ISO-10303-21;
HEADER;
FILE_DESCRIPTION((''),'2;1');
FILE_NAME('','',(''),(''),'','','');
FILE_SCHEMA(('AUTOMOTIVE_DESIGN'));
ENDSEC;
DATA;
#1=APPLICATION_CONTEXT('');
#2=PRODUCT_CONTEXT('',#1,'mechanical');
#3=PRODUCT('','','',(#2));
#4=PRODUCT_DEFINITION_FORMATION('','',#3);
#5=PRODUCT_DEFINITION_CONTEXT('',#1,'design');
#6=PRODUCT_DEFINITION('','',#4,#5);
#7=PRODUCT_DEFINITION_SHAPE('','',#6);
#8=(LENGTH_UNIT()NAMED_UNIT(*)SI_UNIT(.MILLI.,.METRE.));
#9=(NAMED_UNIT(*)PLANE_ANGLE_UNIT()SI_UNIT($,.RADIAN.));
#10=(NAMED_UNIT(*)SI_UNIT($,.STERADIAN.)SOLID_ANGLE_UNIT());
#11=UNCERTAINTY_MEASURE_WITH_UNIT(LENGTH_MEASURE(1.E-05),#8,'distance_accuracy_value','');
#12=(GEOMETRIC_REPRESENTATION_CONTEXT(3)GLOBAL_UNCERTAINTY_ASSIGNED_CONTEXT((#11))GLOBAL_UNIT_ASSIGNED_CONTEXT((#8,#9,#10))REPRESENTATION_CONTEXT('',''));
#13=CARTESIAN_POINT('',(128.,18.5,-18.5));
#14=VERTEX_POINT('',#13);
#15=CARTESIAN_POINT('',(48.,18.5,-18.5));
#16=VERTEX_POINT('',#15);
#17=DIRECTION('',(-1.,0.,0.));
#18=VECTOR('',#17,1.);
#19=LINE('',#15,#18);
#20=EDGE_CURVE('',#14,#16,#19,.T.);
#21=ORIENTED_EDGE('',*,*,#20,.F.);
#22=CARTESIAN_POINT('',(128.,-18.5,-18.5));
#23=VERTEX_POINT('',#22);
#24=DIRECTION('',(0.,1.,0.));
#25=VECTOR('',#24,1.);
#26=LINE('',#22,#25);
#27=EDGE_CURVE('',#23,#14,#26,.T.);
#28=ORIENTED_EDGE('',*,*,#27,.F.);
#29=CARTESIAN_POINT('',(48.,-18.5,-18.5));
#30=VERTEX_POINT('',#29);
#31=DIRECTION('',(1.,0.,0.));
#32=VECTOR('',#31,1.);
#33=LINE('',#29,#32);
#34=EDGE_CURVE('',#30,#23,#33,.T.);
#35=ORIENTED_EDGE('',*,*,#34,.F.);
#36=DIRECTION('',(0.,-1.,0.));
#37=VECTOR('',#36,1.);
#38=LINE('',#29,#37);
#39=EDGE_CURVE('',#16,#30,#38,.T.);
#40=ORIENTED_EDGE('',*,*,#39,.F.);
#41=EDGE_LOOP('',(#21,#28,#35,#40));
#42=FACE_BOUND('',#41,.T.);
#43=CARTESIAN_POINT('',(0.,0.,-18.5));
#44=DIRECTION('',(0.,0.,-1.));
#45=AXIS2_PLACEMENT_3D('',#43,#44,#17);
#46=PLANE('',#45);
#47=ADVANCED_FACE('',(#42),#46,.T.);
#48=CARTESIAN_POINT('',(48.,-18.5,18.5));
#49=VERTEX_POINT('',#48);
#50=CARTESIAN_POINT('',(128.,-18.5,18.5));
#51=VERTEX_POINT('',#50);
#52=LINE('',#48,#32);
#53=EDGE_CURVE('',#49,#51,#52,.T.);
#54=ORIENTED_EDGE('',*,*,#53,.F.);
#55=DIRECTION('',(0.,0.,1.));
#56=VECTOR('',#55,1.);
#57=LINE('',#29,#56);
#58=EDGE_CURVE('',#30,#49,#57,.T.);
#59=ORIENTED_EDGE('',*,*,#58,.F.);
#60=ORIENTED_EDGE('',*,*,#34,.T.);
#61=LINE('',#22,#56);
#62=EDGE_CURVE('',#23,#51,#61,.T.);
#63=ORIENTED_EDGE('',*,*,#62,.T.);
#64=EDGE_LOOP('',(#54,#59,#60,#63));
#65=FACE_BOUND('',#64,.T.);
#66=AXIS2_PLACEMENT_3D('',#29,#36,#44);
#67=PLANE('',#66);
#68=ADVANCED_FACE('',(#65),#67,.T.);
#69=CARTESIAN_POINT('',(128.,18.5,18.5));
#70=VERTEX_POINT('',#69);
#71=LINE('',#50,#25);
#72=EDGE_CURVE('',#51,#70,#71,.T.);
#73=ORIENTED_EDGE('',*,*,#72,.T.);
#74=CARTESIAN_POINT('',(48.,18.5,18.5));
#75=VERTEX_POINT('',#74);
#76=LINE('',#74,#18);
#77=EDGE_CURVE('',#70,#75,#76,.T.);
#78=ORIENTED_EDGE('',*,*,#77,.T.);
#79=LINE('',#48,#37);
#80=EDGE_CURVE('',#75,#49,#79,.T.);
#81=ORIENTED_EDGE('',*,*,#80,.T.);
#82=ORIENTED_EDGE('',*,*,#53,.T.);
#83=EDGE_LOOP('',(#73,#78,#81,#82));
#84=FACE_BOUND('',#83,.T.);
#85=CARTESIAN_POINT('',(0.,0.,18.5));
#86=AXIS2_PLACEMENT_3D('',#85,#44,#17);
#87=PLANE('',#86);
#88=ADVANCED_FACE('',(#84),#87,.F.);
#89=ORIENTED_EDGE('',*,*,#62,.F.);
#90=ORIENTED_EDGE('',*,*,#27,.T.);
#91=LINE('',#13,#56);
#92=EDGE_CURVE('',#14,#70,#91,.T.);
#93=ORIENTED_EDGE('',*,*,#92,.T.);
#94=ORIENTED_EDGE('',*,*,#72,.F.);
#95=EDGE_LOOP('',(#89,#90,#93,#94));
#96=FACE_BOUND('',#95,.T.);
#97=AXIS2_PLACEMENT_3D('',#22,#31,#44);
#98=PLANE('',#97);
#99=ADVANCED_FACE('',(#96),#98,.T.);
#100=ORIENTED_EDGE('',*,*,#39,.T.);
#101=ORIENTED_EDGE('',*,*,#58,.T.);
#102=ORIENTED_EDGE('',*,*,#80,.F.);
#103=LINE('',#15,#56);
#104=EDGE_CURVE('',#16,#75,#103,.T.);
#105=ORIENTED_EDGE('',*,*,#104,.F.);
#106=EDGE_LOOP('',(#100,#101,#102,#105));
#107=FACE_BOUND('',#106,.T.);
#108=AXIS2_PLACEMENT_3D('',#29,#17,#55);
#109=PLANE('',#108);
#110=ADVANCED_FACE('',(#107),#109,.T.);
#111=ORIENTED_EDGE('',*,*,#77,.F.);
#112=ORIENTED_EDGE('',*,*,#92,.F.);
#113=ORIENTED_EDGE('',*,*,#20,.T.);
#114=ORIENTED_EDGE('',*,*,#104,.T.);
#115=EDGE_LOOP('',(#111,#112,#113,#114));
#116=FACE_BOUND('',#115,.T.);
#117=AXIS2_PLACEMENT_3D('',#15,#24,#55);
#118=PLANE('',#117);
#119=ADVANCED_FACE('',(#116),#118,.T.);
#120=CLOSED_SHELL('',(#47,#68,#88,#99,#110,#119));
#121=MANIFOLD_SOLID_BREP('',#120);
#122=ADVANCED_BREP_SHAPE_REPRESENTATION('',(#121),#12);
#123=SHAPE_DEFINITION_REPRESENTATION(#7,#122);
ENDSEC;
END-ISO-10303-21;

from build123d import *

# Parameters (mm, degrees)
MTG_MOTOR_24V_37X37X80_1_START = 18.5
SKETCH1_W                      = 80
SKETCH1_H                      = 37
MTG_MOTOR_24V_37X37X80_1_DEPTH = 37


with BuildPart() as part:
    # Sketch1 → MTG_motor_24V_37x37x80_1 (new body)
    with BuildSketch(Plane.XY.offset(MTG_MOTOR_24V_37X37X80_1_START)):
        with Locations((88, 0)):
            Rectangle(SKETCH1_W, SKETCH1_H)
    extrude(amount=-MTG_MOTOR_24V_37X37X80_1_DEPTH)


solid = part.part
